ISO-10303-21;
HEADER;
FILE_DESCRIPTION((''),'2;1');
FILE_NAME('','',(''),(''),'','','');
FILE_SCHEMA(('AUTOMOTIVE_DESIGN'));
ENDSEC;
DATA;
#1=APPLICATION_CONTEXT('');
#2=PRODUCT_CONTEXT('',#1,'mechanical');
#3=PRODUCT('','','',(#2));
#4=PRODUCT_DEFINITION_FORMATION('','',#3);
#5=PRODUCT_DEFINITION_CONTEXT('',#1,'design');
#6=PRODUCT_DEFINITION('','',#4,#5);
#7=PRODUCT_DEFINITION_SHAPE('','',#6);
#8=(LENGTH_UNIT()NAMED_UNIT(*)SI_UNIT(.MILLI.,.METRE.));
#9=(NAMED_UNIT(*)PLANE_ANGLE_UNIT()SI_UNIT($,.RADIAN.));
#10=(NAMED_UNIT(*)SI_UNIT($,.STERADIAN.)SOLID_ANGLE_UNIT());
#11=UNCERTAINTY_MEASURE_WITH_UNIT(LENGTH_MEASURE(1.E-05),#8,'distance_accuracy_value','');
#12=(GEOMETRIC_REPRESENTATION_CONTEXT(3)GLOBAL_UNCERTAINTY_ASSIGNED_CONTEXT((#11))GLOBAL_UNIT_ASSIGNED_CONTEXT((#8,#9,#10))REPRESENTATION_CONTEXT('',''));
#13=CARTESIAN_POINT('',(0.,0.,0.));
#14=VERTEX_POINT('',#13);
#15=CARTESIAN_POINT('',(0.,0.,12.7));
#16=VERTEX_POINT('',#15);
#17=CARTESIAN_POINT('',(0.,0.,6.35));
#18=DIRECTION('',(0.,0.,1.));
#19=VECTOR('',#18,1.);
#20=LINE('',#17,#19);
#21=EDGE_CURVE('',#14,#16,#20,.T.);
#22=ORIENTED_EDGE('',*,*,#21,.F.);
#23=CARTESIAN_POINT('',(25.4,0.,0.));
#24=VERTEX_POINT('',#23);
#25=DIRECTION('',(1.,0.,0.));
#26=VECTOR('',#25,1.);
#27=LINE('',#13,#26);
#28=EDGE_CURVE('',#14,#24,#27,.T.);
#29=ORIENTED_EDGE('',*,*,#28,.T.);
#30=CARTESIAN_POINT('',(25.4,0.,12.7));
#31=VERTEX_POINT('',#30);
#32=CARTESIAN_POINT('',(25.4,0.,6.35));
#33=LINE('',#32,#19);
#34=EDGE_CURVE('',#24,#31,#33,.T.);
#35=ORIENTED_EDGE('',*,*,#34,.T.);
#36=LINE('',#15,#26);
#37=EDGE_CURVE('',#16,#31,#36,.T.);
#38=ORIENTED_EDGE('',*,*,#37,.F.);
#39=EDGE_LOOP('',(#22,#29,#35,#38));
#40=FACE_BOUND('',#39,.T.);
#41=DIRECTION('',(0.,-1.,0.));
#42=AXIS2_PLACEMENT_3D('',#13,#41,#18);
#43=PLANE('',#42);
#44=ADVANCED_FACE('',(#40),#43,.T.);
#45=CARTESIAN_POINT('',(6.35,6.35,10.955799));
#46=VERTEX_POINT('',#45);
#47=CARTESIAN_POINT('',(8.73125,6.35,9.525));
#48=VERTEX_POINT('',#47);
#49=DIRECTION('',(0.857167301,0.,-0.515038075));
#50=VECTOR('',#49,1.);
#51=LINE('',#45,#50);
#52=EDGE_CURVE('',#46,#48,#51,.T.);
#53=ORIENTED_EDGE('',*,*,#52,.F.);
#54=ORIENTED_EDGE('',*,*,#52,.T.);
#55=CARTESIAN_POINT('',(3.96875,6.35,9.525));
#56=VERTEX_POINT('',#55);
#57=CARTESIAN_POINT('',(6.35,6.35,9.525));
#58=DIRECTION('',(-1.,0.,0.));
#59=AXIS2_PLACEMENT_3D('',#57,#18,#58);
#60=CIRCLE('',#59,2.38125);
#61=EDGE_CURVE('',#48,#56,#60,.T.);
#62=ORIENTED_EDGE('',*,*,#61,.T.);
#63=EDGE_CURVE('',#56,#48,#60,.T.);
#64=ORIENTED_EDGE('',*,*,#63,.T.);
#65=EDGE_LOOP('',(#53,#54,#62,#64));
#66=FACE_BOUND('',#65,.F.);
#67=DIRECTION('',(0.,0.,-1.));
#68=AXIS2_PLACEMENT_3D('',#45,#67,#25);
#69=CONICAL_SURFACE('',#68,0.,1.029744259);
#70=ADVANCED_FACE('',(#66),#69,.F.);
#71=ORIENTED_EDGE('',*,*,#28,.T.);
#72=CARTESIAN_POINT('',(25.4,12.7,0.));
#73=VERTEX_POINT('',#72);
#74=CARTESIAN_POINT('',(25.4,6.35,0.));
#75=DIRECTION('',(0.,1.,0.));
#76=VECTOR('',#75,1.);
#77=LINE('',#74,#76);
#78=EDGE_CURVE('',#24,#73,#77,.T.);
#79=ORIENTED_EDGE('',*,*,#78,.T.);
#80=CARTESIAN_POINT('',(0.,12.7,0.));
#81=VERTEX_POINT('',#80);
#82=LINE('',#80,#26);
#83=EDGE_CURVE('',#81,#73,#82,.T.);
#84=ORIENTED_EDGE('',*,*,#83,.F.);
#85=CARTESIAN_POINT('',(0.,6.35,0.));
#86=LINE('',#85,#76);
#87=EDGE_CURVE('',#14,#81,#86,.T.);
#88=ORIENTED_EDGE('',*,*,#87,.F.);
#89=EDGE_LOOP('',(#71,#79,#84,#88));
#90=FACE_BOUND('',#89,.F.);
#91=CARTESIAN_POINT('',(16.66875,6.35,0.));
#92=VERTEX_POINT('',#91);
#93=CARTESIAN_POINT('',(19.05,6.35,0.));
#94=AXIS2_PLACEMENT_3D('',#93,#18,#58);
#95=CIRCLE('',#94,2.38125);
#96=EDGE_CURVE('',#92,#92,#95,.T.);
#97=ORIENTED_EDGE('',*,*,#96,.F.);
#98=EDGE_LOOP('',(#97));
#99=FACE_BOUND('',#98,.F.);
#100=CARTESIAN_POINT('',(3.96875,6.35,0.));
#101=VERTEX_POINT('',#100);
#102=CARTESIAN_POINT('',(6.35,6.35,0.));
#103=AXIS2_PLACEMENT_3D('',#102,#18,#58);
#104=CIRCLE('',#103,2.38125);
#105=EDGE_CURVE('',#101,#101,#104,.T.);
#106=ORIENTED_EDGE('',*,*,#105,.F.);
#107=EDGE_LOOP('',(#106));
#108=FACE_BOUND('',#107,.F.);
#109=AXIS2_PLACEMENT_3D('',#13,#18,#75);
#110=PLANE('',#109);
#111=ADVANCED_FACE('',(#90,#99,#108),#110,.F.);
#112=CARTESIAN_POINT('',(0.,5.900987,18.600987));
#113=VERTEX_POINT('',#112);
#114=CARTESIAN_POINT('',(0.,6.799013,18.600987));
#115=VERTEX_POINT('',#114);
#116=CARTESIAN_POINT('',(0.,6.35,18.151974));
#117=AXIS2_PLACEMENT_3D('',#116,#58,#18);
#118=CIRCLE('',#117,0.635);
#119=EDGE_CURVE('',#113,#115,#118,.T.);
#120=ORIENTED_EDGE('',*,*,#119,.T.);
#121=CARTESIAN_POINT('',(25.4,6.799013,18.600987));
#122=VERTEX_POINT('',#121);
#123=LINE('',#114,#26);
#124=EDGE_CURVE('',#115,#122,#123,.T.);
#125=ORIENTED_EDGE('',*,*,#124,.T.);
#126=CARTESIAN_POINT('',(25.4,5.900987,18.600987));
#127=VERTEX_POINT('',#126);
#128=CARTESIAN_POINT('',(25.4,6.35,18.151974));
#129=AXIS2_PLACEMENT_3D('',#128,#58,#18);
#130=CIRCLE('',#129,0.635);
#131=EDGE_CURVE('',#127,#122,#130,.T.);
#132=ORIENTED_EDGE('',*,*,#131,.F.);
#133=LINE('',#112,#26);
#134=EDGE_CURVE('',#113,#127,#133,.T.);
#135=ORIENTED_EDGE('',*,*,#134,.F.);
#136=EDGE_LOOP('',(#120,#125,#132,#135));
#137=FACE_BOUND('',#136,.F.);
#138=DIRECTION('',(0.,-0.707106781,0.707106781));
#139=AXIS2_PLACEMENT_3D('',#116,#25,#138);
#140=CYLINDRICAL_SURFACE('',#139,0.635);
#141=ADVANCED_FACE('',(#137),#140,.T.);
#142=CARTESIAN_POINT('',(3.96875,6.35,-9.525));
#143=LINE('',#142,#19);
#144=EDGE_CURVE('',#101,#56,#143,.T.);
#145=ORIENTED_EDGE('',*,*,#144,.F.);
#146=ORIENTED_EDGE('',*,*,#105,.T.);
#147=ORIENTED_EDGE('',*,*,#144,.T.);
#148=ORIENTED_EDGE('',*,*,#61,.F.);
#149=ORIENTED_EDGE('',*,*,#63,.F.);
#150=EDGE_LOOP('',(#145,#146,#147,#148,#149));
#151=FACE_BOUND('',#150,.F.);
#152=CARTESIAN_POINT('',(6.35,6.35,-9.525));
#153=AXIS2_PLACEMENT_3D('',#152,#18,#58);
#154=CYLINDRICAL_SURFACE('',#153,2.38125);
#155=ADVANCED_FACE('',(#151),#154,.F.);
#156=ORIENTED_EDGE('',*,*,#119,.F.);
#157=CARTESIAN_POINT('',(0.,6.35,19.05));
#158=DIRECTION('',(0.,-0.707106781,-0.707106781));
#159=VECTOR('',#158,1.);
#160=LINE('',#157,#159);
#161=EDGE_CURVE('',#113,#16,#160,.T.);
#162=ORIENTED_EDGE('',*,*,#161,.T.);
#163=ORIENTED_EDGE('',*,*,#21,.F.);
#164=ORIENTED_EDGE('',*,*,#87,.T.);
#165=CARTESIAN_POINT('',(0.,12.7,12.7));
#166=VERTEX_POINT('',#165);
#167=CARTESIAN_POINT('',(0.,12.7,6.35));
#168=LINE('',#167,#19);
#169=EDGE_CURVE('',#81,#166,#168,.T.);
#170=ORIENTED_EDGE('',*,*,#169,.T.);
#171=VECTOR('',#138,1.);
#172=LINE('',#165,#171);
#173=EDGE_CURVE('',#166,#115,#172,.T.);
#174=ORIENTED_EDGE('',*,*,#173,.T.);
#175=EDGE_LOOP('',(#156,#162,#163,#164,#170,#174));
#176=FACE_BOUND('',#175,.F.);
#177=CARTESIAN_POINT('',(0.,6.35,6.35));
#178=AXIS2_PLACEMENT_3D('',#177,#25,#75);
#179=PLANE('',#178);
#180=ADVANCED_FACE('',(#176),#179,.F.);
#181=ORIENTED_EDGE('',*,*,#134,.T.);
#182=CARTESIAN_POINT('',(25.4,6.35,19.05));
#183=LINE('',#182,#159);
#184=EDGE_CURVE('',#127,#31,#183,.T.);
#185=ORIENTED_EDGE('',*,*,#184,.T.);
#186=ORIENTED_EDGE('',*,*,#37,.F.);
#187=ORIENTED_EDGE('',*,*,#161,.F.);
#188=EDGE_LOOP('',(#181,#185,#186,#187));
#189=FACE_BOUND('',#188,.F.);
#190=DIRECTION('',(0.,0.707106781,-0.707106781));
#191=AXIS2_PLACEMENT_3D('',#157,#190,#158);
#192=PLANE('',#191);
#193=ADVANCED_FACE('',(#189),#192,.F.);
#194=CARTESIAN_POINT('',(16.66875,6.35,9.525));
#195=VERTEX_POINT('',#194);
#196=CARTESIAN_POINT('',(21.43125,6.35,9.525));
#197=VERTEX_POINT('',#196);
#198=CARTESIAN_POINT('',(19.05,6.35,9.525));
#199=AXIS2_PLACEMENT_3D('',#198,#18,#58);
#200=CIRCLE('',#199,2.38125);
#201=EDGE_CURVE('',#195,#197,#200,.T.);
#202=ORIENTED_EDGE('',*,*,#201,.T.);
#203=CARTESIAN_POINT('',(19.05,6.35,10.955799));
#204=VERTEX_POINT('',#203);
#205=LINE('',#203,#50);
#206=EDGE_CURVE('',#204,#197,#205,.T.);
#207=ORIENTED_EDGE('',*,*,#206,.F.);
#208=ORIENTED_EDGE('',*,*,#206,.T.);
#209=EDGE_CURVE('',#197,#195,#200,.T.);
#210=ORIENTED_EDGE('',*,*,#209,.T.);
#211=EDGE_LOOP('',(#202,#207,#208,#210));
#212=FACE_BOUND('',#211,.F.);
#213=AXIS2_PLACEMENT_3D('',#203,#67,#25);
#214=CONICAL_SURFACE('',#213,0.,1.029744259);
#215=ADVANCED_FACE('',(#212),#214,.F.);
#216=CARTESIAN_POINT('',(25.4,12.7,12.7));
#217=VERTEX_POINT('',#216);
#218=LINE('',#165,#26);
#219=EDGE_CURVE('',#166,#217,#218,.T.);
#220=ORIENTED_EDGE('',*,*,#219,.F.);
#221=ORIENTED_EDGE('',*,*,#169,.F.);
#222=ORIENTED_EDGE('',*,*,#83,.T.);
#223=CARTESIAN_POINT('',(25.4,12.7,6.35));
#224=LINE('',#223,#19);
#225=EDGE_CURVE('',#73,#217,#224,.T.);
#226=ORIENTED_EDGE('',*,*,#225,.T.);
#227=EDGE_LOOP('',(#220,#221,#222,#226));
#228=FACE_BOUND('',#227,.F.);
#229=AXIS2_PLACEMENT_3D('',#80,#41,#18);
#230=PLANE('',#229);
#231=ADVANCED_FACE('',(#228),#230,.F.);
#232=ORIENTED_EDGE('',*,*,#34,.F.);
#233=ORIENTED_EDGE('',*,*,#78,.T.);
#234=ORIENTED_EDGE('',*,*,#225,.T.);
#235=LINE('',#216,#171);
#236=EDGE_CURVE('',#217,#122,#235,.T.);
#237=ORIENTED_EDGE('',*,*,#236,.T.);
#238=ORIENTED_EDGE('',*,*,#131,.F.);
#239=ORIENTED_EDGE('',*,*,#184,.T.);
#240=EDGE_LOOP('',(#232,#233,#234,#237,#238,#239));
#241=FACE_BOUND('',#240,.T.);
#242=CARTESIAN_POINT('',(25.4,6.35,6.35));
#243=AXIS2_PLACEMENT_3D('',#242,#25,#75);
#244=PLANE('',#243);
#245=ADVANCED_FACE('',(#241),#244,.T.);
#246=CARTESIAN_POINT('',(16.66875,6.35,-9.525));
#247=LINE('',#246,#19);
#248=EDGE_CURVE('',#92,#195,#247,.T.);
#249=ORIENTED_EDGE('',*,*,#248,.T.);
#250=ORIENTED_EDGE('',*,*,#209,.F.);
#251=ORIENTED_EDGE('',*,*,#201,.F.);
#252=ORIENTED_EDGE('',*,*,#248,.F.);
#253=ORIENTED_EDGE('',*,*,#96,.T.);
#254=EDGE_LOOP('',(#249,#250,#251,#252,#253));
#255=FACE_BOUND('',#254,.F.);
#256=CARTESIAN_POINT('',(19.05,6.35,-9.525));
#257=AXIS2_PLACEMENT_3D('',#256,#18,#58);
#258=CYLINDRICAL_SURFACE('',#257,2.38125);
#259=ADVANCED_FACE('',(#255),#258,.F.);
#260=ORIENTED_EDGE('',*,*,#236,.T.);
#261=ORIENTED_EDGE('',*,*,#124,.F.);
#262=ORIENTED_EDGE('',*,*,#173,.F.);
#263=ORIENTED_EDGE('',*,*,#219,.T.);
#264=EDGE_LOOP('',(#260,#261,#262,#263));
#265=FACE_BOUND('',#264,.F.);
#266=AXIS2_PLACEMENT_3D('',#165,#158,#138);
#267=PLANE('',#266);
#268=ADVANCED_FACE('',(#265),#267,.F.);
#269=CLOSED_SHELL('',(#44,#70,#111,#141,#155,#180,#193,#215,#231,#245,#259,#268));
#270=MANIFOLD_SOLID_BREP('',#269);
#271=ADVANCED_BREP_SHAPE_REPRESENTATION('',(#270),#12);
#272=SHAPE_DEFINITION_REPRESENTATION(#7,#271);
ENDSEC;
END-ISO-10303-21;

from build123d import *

# Parameters (mm, degrees)
F0_W     = 12.7
F0_H     = 12.7
F1_DEPTH = 25.4
F3_D     = 4.7625
F3_DEPTH = 9.525
F3_TIP   = 1.4307993491
F4_R     = 0.635


with BuildPart() as f1:
    # F0 (on Right) → F1 (new body)
    with BuildSketch(Plane.YZ):
        with Locations((6.35, 6.35)):
            Rectangle(F0_W, F0_H)
        Polygon((6.35, 19.05), (0, 12.7), (12.7, 12.7), align=None)
    extrude(amount=F1_DEPTH)

    # F3
    with Locations(Plane(origin=(0, 0, 0), x_dir=(1, 0, 0), z_dir=(0, 0, -1))):
        with Locations((6.35, -6.35), (19.05, -6.35)):
            Hole(F3_D / 2, depth=F3_DEPTH)
            with Locations((0, 0, -(F3_DEPTH + F3_TIP / 2))):  # 118° drill point
                Cone(0, F3_D / 2, F3_TIP, mode=Mode.SUBTRACT)

    # F4
    f4_edges = [f1.edges().sort_by_distance(p)[0] for p in [
        (12.7, 6.35, 19.05),
    ]]
    fillet(f4_edges, radius=F4_R)


solid = f1.part
